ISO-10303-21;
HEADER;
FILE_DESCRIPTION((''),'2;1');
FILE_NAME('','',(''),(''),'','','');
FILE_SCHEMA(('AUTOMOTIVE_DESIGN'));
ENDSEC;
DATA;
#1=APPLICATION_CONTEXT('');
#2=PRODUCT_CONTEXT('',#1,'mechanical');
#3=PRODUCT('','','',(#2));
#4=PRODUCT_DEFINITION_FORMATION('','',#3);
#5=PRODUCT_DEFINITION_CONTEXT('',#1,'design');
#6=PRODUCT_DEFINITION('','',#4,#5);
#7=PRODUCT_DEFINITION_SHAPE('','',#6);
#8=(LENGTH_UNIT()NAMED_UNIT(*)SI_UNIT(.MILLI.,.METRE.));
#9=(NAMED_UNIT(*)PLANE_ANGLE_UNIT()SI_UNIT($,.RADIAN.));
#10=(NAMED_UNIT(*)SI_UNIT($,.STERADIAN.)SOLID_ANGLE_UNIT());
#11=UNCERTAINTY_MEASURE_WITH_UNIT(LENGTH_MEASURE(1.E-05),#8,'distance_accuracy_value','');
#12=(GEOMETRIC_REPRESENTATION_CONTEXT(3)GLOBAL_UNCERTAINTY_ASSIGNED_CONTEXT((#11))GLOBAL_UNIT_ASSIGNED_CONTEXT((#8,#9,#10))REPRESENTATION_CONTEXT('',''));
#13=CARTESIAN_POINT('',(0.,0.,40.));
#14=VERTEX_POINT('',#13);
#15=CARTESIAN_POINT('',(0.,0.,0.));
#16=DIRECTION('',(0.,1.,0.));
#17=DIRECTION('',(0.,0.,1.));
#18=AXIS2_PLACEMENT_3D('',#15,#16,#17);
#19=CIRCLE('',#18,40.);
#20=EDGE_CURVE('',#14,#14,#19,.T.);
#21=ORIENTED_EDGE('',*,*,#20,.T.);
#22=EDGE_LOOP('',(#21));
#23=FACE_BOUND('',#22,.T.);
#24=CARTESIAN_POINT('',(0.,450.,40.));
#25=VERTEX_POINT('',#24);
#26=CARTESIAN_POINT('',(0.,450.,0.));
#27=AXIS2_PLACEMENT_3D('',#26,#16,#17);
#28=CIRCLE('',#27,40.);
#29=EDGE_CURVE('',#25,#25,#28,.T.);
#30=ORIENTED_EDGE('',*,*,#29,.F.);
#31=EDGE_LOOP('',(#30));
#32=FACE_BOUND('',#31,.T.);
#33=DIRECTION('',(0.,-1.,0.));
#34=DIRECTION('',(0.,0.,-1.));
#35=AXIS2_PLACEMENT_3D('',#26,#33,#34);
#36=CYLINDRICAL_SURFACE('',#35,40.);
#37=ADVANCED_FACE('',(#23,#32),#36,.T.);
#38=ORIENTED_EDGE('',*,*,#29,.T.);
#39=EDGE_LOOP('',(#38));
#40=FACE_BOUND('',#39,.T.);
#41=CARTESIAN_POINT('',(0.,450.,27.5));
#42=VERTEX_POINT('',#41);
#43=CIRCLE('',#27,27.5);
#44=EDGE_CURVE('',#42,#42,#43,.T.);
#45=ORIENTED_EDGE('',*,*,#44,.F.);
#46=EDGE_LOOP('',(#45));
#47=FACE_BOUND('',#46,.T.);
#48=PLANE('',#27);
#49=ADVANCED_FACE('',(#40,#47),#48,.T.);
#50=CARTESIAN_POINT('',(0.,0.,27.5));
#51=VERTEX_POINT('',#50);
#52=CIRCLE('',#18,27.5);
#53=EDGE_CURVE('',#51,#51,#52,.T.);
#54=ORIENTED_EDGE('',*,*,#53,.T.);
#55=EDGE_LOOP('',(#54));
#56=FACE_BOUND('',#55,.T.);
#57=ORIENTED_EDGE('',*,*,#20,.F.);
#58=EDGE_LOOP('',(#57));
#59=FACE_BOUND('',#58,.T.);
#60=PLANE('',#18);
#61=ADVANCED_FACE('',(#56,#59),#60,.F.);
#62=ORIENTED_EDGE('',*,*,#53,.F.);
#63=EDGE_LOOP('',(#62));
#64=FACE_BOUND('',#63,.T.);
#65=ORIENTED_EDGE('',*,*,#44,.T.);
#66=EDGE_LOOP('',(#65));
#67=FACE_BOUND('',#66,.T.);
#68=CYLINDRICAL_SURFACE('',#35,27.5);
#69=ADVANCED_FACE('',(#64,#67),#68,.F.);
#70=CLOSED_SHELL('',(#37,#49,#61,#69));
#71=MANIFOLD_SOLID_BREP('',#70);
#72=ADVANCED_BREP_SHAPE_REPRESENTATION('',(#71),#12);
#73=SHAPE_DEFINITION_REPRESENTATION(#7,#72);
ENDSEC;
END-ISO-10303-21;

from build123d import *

# Parameters (mm, degrees)
SKETCH1_R           = 40
SKETCH1_R_2         = 27.5
BOSS_EXTRUDE1_DEPTH = 450


with BuildPart() as part:
    # Sketch1 → Boss-Extrude1 (new body)
    with BuildSketch(Plane(origin=(0, 0, 0), x_dir=(1, 0, 0), z_dir=(0, 1, 0))):
        with Locations(Location((0, 0, 0), (0, 0, 270))):
            Circle(SKETCH1_R)
        with Locations(Location((0, 0, 0), (0, 0, 270))):
            Circle(SKETCH1_R_2, mode=Mode.SUBTRACT)
    extrude(amount=BOSS_EXTRUDE1_DEPTH)


solid = part.part
